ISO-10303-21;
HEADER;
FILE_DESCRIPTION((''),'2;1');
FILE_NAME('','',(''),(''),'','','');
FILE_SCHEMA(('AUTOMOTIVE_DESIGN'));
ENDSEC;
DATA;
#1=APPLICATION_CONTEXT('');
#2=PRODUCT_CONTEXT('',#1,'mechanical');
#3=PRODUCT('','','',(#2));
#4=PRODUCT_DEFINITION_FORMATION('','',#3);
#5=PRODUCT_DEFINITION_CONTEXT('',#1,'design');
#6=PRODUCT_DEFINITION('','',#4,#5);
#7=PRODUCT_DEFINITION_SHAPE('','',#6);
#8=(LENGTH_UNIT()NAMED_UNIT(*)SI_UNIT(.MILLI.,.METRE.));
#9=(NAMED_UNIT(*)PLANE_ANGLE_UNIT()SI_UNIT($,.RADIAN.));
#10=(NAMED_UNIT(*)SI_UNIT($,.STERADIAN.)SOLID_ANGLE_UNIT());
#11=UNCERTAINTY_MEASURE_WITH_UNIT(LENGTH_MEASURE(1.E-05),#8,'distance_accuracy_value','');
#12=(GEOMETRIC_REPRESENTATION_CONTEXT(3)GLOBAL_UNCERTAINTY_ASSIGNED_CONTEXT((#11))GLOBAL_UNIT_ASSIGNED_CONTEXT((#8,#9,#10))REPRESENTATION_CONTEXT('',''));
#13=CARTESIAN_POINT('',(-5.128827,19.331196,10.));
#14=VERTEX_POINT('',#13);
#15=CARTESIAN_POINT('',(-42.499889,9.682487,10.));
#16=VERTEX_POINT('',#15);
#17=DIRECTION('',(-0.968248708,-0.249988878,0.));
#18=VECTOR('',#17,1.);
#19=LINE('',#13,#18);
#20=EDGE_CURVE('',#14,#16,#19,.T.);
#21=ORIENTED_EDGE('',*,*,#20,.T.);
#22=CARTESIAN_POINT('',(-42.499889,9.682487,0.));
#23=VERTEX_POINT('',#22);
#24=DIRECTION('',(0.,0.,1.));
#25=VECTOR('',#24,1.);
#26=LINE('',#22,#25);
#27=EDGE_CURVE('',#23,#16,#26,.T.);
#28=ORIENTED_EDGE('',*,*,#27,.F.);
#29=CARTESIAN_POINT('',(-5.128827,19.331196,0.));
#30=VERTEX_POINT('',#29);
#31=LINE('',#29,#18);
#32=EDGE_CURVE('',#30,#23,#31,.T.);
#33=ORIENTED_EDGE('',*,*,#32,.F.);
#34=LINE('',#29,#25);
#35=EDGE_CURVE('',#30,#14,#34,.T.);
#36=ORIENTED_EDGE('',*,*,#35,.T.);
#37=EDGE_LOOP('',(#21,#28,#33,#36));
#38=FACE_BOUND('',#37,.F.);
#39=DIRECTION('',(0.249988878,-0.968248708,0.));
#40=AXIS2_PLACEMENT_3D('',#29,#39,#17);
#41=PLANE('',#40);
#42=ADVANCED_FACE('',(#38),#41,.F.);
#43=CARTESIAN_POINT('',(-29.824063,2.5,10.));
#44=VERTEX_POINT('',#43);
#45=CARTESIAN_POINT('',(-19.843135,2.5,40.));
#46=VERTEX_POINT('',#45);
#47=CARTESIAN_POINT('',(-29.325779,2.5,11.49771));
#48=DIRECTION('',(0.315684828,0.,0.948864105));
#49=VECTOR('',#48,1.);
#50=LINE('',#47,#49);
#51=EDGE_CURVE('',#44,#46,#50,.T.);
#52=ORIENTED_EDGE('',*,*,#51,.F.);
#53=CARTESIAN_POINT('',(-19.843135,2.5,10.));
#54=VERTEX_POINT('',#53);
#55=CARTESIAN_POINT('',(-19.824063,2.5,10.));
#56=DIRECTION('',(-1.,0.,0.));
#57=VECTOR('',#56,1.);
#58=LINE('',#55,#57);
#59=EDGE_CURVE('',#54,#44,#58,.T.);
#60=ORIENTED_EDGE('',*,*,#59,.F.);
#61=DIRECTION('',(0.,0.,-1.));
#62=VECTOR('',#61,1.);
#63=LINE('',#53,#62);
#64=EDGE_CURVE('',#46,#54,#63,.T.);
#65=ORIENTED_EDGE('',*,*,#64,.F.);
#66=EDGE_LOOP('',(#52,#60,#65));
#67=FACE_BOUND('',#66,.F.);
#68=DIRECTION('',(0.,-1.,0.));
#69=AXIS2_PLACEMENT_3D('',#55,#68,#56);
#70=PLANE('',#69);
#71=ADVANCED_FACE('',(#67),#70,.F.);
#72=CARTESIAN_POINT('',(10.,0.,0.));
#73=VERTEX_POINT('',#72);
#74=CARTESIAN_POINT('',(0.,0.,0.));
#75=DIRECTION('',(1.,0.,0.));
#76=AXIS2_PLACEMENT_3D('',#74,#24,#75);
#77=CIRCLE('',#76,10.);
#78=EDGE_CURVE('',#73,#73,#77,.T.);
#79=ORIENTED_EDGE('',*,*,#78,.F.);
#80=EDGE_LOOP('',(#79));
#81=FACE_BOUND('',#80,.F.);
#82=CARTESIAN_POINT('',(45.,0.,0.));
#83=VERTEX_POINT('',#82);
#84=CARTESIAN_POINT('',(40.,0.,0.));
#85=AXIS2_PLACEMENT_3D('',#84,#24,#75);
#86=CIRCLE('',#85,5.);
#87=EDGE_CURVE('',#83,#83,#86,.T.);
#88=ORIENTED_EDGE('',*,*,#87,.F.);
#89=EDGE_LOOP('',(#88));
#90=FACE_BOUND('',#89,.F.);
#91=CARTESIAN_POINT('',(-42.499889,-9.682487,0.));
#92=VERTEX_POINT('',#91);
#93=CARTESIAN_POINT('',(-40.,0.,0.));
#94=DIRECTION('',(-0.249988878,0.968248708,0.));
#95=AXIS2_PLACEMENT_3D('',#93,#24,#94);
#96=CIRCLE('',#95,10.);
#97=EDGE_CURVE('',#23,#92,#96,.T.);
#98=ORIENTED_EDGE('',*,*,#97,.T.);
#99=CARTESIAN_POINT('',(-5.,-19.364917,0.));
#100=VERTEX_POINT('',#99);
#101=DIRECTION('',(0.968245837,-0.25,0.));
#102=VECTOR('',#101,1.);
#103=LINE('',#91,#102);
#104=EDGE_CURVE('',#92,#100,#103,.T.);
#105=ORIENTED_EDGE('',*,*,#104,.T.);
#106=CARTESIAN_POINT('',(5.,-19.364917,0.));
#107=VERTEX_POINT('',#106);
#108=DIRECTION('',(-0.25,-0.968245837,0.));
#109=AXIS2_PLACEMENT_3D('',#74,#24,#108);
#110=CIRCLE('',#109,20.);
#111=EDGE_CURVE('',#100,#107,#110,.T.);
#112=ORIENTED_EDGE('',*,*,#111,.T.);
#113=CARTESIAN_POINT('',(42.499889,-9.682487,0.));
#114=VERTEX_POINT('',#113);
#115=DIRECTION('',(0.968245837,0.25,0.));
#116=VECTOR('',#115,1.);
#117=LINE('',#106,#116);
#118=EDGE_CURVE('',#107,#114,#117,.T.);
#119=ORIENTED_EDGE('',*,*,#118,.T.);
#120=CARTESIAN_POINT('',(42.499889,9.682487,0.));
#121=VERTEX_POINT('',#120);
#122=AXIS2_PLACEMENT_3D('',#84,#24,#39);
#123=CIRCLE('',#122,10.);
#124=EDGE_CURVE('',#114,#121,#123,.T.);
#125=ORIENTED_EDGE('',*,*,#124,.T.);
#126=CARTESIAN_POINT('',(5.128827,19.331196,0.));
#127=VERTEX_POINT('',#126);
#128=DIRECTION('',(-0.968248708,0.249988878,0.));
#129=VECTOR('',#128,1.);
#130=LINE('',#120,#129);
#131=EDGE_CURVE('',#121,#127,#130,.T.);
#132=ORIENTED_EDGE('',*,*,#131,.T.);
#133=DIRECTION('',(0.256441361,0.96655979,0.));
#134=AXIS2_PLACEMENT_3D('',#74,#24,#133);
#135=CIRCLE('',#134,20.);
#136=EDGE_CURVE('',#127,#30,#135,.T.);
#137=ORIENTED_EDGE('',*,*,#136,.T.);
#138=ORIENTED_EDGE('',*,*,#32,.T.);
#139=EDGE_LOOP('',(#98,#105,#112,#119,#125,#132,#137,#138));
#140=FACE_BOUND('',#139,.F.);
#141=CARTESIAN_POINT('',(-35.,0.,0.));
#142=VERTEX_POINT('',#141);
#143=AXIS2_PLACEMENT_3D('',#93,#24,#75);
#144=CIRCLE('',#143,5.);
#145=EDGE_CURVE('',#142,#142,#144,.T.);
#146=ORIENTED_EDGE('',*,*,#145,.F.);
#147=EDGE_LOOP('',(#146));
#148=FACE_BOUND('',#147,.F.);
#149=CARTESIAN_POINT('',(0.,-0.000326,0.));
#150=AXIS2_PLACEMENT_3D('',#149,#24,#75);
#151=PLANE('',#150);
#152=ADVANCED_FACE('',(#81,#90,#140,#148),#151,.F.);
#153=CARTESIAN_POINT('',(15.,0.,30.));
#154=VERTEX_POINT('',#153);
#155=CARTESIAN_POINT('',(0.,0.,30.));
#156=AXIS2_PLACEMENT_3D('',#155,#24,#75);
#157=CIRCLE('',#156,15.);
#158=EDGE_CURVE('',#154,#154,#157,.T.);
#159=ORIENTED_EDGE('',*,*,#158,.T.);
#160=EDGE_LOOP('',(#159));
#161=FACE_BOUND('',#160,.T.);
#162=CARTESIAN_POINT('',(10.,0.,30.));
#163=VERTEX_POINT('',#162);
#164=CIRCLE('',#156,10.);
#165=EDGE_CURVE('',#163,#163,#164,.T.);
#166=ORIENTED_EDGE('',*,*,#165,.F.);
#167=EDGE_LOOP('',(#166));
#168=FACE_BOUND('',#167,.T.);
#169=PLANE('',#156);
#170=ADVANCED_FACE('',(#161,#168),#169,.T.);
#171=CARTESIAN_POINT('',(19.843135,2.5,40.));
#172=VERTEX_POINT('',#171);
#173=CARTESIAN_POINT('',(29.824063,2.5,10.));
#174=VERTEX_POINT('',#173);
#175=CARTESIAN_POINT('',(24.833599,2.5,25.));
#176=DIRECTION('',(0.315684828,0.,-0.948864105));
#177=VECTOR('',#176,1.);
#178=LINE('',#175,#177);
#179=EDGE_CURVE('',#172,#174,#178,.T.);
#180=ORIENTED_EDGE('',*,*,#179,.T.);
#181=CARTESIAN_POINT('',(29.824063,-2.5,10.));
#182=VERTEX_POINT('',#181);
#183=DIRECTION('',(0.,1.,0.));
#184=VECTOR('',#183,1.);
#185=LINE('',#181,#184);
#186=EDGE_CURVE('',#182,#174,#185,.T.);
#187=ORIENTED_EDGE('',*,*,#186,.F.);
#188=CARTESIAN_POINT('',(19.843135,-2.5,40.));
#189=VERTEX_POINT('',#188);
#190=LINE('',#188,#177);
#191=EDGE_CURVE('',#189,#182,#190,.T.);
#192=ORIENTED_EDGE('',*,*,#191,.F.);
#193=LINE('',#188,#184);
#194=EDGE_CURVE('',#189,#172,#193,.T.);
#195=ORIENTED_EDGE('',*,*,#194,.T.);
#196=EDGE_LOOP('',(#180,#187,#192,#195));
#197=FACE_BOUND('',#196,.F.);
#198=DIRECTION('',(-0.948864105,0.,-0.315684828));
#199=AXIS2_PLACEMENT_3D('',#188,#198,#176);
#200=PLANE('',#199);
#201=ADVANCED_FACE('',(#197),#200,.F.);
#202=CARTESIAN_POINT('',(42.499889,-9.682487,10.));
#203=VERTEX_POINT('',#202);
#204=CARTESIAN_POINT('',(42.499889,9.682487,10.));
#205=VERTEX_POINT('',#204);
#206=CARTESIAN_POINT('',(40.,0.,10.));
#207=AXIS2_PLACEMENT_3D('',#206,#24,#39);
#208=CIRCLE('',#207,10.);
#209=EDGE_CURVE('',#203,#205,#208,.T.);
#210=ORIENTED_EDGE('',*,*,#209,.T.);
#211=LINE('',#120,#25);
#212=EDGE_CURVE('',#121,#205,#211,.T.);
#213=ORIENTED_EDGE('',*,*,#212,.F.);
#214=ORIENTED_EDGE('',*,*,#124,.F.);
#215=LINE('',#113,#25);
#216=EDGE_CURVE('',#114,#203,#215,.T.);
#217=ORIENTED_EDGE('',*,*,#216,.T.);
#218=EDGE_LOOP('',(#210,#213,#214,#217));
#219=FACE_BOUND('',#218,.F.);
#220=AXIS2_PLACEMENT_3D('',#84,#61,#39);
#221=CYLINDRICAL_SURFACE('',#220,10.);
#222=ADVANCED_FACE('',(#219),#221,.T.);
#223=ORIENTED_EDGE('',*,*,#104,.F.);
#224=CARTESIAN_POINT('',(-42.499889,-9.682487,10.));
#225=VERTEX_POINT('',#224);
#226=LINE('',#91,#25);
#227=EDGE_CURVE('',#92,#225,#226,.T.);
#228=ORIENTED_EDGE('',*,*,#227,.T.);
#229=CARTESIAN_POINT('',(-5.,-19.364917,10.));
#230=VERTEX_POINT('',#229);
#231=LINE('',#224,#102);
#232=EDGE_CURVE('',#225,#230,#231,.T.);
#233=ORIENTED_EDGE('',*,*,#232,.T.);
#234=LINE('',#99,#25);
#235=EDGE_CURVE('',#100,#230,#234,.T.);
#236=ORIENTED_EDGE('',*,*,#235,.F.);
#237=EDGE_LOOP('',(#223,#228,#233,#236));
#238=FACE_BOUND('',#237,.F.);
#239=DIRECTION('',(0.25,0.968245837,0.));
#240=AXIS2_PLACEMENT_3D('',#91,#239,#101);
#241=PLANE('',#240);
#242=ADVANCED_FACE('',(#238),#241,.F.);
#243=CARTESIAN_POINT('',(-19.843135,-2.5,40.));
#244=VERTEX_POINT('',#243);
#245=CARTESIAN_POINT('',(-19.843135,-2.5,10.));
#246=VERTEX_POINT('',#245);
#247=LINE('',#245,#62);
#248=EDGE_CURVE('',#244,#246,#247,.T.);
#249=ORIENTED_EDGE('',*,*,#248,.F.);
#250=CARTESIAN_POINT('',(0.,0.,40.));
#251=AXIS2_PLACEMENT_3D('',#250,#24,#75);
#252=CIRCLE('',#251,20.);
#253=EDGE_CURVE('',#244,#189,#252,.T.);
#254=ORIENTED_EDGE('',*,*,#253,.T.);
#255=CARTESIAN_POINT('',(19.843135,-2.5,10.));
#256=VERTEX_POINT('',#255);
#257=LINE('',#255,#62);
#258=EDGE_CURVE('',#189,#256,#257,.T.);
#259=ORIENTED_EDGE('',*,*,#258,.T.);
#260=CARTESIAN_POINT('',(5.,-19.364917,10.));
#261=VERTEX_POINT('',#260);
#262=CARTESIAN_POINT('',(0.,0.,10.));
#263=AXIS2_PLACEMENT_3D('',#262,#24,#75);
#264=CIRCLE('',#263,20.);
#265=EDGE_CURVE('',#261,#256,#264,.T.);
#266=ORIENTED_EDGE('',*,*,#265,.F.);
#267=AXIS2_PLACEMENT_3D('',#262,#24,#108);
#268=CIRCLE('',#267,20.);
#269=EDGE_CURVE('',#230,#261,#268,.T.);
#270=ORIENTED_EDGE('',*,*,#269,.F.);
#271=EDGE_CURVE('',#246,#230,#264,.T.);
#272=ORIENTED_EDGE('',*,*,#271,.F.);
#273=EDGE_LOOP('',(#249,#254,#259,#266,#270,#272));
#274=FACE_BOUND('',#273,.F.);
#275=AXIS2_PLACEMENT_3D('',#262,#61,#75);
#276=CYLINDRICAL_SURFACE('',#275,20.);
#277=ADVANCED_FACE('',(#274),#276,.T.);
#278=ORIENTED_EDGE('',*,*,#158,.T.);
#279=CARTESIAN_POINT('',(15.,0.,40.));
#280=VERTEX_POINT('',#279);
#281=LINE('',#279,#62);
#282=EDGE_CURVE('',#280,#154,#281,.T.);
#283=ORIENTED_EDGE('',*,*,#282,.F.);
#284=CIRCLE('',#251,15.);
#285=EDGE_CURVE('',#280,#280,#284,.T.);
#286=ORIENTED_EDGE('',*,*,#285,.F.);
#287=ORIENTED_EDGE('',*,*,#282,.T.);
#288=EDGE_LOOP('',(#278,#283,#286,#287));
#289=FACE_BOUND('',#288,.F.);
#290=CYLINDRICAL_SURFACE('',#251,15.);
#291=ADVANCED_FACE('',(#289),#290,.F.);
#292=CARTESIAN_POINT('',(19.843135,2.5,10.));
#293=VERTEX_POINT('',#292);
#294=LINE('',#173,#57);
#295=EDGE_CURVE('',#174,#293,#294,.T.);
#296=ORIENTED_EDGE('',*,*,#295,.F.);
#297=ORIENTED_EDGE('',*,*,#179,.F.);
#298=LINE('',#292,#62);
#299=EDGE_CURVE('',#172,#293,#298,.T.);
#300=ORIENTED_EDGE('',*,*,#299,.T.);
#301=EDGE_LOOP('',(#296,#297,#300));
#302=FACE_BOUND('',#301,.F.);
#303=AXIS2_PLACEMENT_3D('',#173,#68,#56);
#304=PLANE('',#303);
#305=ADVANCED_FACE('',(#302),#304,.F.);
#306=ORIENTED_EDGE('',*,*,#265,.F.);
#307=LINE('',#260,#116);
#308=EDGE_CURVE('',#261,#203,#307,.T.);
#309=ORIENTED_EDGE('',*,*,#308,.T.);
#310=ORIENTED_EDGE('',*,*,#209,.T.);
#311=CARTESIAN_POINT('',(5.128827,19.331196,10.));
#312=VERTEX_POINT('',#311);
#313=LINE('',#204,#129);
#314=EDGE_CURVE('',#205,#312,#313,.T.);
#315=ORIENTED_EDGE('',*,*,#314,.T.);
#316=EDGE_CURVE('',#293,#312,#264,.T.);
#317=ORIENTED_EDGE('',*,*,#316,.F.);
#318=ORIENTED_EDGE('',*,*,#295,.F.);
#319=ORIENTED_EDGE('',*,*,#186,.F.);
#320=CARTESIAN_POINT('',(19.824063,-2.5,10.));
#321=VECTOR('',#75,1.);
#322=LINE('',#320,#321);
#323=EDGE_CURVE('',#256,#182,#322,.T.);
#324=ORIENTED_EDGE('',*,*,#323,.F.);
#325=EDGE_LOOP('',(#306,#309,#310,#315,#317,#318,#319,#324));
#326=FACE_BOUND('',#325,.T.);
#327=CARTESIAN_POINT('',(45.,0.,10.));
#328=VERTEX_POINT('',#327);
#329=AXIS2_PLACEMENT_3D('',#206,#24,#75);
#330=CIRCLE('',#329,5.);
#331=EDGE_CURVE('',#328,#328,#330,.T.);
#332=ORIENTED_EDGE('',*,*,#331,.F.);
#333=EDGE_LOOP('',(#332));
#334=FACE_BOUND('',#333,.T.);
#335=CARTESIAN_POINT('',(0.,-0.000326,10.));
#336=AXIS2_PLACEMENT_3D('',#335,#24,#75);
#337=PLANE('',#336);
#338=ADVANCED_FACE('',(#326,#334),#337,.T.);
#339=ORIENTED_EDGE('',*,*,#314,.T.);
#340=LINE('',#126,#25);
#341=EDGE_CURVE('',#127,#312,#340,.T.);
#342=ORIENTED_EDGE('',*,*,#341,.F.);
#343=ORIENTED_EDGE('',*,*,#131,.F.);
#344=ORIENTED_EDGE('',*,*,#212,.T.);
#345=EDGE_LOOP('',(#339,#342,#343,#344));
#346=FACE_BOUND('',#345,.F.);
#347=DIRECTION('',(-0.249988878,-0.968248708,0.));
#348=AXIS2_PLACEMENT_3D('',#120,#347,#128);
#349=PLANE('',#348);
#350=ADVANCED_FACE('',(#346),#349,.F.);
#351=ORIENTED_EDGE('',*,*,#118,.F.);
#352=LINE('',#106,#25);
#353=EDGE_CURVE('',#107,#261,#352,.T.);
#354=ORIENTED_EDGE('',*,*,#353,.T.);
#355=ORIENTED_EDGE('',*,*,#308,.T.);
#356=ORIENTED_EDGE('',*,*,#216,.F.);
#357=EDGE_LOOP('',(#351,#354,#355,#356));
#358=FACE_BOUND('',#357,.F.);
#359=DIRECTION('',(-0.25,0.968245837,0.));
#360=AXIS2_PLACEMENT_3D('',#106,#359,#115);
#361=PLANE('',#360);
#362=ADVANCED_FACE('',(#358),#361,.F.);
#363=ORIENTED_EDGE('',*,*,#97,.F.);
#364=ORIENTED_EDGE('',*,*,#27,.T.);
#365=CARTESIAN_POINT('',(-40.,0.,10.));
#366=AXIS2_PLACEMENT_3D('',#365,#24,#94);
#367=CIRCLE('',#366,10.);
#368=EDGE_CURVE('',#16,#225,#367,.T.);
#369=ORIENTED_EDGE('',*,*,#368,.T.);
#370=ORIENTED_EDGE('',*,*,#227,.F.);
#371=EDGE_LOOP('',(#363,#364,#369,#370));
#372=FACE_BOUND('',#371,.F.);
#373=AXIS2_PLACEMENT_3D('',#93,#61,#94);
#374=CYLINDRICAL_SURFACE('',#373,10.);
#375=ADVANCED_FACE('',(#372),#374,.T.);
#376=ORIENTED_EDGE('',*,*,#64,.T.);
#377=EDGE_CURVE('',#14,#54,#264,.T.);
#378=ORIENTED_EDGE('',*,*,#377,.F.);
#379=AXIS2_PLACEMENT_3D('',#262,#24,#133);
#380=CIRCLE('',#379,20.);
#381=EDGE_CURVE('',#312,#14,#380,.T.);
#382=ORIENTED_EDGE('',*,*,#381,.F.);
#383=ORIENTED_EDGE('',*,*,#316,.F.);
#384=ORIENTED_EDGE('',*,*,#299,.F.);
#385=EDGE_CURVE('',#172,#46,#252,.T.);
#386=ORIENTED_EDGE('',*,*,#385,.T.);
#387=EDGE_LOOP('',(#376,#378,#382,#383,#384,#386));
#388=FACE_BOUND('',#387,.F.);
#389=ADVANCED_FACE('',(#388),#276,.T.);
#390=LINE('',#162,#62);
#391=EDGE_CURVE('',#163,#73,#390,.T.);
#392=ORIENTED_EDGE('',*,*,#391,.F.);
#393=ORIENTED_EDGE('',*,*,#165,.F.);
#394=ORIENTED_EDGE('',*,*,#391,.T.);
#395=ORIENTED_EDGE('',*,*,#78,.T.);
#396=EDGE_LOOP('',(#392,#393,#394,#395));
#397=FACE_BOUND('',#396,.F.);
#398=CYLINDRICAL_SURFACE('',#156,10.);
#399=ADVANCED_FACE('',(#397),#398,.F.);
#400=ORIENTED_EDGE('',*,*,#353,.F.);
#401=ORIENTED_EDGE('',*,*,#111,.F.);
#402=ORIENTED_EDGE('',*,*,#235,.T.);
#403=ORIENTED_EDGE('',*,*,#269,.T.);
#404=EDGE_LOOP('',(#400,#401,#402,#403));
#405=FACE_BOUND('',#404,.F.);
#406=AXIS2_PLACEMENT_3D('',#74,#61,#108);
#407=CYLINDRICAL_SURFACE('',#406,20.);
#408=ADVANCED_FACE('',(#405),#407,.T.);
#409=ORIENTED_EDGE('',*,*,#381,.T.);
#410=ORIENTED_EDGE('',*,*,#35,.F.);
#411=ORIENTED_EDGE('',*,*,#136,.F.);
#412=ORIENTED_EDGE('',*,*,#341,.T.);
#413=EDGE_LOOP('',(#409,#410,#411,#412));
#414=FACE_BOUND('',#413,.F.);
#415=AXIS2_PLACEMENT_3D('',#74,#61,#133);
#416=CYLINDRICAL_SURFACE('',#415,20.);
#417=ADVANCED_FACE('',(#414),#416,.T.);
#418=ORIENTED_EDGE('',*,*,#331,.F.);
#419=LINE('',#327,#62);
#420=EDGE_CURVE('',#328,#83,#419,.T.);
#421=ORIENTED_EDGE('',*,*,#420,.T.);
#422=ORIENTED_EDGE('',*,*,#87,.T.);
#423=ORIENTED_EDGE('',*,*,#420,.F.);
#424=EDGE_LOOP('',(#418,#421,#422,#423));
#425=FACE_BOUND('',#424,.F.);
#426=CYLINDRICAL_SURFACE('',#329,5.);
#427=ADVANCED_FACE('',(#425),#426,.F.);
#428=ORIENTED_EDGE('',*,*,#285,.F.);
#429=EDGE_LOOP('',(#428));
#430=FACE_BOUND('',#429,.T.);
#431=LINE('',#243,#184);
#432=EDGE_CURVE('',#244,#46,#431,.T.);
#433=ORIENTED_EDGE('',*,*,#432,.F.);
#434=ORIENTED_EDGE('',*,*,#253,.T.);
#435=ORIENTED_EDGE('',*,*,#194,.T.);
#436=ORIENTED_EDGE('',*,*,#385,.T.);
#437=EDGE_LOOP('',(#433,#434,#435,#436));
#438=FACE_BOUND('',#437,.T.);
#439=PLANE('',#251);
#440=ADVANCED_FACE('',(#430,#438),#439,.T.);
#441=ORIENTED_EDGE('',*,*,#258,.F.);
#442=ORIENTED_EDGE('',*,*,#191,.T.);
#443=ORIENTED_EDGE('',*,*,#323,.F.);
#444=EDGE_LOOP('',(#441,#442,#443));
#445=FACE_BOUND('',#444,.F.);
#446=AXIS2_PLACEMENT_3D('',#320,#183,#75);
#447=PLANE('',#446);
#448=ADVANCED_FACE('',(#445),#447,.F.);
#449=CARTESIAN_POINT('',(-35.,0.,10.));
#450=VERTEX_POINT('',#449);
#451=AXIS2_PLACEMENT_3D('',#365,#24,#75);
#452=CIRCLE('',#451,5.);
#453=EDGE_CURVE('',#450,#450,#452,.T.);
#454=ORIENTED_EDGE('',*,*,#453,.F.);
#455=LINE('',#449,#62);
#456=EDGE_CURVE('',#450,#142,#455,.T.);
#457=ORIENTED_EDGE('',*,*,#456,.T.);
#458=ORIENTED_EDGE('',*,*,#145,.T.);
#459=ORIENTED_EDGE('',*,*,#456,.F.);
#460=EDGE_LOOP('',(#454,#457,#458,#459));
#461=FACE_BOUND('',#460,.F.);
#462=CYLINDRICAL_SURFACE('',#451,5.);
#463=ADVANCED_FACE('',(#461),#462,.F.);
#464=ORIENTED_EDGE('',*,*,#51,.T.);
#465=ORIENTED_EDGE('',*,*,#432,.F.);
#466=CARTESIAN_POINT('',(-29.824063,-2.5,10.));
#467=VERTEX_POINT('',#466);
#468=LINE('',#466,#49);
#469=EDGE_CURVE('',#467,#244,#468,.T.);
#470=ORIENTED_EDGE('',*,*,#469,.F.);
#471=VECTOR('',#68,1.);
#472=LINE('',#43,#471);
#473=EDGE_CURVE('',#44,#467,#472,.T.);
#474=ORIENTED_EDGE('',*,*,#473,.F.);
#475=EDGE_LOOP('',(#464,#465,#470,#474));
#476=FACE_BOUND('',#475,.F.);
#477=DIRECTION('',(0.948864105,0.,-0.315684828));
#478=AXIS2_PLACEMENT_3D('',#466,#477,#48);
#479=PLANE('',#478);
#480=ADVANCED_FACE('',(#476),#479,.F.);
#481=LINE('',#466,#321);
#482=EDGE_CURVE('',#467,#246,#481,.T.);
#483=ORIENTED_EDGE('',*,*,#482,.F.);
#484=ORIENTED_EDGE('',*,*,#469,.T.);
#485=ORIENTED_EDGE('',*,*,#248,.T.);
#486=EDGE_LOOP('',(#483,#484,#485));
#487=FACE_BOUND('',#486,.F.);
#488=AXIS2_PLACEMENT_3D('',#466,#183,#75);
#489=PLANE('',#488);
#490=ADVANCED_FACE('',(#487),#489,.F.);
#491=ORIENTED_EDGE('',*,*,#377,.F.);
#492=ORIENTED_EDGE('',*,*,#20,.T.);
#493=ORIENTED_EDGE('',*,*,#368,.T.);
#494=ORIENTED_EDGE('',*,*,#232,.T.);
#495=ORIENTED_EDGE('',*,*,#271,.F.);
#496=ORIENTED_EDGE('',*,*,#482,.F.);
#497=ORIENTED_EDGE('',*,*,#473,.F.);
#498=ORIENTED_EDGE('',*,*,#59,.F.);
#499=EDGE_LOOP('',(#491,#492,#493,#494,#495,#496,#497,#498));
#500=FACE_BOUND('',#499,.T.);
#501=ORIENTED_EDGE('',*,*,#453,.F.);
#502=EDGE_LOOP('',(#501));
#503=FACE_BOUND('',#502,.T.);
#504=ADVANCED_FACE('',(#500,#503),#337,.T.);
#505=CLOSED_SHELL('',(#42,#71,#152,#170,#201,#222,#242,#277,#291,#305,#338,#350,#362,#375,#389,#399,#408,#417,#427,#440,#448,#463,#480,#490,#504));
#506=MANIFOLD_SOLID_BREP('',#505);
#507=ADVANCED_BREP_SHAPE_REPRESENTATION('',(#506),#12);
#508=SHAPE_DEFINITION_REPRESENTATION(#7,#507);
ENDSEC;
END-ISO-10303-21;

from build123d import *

# Parameters (mm, degrees)
F1_DEPTH  = 10
F2_R      = 5
F3_DEPTH  = 10.001
F4_R      = 20
F5_DEPTH  = 30
F6_R      = 15
F7_DEPTH  = 10
F8_R      = 10
F9_DEPTH  = 30.001
F12_DEPTH = 30
F14_DEPTH = 22.501


with BuildPart() as f1:
    # F0 (on Top) → F1 (new body)
    with BuildSketch(Plane.XY):
        with BuildLine():
            Line((-42.4998887826, -9.6824870811), (-5.0000000003, -19.364916731))
            ThreePointArc((-5.0000000003, -19.364916731), (0, -20), (5.0000000003, -19.364916731))
            Line((5.0000000003, -19.364916731), (42.4998887826, -9.6824870811))
            ThreePointArc((42.4998887826, -9.6824870811), (50, 0), (42.4998887826, 9.6824870811))
            Line((42.4998887826, 9.6824870811), (5.128827219, 19.3311958077))
            ThreePointArc((5.128827219, 19.3311958077), (0, 20), (-5.128827219, 19.3311958077))
            Line((-5.128827219, 19.3311958077), (-42.4998887826, 9.6824870811))
            ThreePointArc((-42.4998887826, 9.6824870811), (-50, 0), (-42.4998887826, -9.6824870811))
        make_face()
    extrude(amount=F1_DEPTH)

    # F2 (on face) → F3 (cut, through all)
    with BuildSketch(Plane.XY.offset(10)):
        with Locations((-40, 0)):
            Circle(F2_R)
        with Locations((40, 0)):
            Circle(F2_R)
    extrude(amount=-F3_DEPTH, mode=Mode.SUBTRACT)

    # F4 (on face) → F5 (join)
    with BuildSketch(Plane.XY.offset(10)):
        Circle(F4_R)
    extrude(amount=F5_DEPTH)

    # F6 (on face) → F7 (cut)
    with BuildSketch(Plane.XY.offset(40)):
        Circle(F6_R)
    extrude(amount=-F7_DEPTH, mode=Mode.SUBTRACT)

    # F8 (on face) → F9 (cut, through all)
    with BuildSketch(Plane.XY.offset(30)):
        Circle(F8_R)
    extrude(amount=-F9_DEPTH, mode=Mode.SUBTRACT)

    # F11 (on offset) → F12 (join)
    with BuildSketch(Plane.XY.offset(10)):
        Polygon((-19.8240634054, -2.5), (-19.8240634054, 0), (-19.8240634054, 2.5), (-29.8240634054, 2.5), (-29.8240634054, 0), (-29.8240634054, -2.5), align=None)
        Polygon((29.8240634054, 2.5), (19.8240634054, 2.5), (19.8240634054, 0), (19.8240634054, -2.5), (29.8240634054, -2.5), (29.8240634054, 0), align=None)
    extrude(amount=F12_DEPTH)

    # F13 (on face) → F14 (cut, through all)
    with BuildSketch(Plane.XZ.offset(2.5)):
        Polygon((-29.8240634054, 40), (-29.8240634054, 10), (-19.843134833, 40), align=None)
        Polygon((19.843134833, 40), (29.8240634054, 10), (29.8240634054, 40), align=None)
    extrude(amount=-F14_DEPTH, mode=Mode.SUBTRACT)


solid = f1.part
